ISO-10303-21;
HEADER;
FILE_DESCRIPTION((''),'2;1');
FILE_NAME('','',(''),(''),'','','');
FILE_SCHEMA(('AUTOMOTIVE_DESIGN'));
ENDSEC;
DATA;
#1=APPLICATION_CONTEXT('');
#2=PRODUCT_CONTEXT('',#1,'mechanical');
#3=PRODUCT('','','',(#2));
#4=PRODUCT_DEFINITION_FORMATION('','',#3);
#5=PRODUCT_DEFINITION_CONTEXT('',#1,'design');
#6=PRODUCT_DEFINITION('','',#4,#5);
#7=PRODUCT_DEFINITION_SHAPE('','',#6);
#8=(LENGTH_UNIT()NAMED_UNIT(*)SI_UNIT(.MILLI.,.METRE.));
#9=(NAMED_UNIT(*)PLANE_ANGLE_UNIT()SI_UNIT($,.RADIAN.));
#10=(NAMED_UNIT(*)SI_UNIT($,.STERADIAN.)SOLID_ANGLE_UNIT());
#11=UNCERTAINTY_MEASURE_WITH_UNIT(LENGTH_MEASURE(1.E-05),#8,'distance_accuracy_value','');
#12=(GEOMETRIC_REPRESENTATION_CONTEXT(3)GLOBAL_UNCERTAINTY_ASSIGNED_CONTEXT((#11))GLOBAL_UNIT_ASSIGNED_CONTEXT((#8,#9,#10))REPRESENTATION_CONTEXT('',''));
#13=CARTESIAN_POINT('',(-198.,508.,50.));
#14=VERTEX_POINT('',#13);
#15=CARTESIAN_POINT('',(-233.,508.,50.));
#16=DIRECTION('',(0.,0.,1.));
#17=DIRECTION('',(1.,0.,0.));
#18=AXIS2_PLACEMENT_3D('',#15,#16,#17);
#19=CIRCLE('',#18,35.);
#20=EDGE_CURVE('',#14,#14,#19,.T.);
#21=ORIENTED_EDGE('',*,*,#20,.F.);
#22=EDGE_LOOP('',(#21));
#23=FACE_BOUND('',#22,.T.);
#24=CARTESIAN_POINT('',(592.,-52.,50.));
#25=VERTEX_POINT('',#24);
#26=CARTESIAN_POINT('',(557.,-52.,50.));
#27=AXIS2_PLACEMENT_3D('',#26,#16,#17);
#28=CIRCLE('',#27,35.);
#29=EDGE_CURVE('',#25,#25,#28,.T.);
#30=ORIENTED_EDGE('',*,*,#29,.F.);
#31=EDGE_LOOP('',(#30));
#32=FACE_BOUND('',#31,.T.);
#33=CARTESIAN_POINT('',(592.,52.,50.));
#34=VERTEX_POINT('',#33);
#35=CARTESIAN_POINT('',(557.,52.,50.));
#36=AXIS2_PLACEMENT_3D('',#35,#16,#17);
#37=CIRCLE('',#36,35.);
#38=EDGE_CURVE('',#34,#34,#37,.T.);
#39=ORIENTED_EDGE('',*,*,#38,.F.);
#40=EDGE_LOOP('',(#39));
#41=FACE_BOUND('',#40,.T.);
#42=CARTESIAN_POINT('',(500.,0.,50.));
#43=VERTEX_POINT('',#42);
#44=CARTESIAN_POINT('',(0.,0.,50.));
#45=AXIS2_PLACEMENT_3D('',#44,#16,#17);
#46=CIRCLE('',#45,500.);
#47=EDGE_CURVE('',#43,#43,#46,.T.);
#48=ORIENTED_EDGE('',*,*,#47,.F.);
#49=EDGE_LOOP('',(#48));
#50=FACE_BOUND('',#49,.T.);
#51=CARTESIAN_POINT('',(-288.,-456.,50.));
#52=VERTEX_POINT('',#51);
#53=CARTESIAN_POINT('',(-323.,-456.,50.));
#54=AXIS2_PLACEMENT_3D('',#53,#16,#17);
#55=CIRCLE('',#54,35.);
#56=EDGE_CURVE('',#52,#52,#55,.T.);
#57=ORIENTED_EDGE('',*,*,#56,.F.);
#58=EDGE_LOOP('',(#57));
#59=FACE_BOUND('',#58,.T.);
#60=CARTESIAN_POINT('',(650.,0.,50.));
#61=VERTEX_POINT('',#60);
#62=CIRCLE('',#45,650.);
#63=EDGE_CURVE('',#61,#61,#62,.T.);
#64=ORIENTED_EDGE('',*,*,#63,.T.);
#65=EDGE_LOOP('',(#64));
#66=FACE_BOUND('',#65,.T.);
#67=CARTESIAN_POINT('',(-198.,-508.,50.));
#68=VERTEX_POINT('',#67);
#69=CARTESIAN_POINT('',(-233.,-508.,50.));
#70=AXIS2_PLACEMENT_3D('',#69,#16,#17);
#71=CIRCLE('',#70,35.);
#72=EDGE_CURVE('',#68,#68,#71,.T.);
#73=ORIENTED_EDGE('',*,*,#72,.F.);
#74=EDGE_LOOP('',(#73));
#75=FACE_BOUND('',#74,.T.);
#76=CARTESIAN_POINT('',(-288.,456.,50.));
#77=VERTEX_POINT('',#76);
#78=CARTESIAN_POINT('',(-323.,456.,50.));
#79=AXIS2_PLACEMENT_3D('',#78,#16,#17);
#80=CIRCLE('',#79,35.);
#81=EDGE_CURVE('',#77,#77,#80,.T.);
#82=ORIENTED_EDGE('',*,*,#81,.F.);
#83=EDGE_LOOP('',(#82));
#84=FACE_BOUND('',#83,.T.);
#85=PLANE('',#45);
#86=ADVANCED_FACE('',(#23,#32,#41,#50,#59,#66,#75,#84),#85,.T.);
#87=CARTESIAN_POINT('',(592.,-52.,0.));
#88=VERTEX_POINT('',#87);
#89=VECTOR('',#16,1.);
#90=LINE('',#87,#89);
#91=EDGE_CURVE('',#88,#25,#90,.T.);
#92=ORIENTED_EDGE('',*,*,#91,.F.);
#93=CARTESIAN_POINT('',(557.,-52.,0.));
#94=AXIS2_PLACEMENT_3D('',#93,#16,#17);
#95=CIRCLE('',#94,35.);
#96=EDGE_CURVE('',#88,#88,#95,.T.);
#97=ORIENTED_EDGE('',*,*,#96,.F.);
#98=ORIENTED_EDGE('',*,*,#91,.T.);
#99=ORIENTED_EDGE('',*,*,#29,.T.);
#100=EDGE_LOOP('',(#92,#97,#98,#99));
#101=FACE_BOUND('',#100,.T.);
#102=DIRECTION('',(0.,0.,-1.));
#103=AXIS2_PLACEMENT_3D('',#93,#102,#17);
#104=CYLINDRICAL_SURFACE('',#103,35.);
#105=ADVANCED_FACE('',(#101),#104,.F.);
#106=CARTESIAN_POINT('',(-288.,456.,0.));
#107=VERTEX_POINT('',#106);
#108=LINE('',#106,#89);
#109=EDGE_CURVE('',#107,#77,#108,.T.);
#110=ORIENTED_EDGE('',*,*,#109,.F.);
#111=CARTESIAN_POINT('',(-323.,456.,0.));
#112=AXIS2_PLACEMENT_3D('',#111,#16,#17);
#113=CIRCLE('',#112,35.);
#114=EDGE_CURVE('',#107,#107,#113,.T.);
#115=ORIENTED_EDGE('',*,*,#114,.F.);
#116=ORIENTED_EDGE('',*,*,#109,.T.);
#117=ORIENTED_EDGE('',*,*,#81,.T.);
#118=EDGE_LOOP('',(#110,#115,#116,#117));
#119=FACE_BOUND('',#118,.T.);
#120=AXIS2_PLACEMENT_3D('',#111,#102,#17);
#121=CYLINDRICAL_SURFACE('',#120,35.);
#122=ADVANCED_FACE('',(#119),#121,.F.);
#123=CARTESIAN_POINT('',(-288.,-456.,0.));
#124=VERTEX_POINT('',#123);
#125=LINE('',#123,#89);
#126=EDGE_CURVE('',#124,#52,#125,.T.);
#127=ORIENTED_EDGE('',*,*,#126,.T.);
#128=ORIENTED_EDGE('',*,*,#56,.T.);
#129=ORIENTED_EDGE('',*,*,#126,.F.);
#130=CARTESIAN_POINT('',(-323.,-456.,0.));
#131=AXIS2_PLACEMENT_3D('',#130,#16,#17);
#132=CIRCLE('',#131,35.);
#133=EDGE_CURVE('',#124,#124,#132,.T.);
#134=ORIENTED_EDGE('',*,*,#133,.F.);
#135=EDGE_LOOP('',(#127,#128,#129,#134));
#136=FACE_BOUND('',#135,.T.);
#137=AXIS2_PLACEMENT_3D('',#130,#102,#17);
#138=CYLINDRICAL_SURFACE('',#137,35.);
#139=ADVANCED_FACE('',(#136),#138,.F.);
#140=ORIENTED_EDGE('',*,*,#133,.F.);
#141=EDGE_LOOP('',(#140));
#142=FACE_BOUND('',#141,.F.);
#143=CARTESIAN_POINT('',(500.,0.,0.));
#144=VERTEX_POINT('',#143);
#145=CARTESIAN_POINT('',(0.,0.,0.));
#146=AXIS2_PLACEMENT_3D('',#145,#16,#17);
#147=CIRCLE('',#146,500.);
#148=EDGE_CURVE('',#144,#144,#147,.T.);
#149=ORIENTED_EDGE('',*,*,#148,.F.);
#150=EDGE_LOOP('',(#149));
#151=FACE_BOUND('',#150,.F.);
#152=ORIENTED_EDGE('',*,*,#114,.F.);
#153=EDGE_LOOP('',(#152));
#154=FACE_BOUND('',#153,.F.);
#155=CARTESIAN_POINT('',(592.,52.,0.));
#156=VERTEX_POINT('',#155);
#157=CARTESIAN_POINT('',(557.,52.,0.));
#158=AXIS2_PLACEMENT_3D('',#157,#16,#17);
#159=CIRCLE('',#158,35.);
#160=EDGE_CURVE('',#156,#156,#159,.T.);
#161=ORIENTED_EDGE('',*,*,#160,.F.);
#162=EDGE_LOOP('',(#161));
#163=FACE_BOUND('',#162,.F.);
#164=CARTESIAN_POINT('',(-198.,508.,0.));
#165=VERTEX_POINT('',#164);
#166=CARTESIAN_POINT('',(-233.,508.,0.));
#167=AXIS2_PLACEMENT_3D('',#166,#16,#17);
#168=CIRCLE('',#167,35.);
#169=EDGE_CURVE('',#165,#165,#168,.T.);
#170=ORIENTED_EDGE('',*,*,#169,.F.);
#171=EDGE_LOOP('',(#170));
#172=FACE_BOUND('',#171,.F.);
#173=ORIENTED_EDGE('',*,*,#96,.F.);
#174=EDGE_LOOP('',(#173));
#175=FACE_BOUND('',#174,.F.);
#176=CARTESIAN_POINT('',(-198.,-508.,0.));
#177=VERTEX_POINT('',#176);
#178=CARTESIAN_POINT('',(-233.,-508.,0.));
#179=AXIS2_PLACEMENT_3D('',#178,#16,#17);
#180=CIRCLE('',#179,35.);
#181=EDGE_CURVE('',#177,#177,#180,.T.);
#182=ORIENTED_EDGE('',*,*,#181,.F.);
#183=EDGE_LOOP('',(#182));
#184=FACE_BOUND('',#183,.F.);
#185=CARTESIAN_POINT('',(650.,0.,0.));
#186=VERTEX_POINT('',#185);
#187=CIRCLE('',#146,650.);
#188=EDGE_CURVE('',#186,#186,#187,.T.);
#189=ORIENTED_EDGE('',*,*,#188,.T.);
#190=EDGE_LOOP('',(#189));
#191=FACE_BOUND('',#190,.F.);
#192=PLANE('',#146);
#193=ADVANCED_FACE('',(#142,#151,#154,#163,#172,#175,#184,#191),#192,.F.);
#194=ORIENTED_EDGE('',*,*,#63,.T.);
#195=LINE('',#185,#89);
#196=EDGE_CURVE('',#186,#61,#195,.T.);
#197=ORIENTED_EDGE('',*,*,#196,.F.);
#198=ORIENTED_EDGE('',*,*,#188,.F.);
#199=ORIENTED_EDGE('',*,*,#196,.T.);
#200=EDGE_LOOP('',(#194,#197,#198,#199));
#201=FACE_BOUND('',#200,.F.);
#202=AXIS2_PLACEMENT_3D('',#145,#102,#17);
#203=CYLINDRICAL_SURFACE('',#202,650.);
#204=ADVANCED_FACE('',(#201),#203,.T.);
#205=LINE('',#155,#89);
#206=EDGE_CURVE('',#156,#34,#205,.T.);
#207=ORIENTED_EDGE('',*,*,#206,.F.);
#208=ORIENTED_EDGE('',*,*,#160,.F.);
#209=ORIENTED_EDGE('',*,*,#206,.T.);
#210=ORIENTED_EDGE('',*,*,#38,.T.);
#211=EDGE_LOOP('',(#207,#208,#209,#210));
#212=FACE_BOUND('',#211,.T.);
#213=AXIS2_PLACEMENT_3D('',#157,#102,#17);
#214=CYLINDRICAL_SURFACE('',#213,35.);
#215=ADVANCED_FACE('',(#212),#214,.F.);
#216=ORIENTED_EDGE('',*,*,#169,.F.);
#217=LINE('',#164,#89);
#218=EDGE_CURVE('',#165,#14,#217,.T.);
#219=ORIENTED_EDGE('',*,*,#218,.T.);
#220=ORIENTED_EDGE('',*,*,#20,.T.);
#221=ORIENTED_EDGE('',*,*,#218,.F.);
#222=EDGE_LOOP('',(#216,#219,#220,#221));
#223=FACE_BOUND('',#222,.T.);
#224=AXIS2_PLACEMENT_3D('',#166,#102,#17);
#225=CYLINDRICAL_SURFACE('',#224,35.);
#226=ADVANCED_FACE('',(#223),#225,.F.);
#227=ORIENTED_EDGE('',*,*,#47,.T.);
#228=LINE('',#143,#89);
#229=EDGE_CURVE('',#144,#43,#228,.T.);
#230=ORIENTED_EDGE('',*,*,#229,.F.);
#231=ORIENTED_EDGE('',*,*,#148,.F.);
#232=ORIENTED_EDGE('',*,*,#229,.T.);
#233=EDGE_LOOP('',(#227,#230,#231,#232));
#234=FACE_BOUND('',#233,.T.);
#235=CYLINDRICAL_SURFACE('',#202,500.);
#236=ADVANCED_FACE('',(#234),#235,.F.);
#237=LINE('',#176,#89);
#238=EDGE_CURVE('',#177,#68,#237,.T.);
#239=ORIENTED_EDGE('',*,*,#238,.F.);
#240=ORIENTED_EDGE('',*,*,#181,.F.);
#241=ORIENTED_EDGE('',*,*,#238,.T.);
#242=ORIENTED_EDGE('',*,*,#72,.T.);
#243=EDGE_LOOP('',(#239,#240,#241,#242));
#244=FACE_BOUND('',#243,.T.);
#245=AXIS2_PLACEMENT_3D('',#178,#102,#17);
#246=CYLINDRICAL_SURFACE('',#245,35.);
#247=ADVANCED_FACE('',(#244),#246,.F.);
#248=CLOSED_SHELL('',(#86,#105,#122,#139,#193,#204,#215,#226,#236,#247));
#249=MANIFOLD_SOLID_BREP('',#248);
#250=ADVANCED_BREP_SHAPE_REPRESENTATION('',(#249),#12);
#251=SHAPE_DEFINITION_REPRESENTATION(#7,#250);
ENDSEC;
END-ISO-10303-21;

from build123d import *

# Parameters (mm, degrees)
F0_R     = 650
F0_R_2   = 35
F0_R_3   = 500
F1_DEPTH = 50


with BuildPart() as f1:
    # F0 (on Top) → F1 (new body)
    with BuildSketch(Plane.XY):
        Circle(F0_R)
        with Locations((-233, -508)):
            Circle(F0_R_2, mode=Mode.SUBTRACT)
        with Locations((-323, -456)):
            Circle(F0_R_2, mode=Mode.SUBTRACT)
        with Locations((557, -52)):
            Circle(F0_R_2, mode=Mode.SUBTRACT)
        with Locations((-323, 456)):
            Circle(F0_R_2, mode=Mode.SUBTRACT)
        with Locations((-233, 508)):
            Circle(F0_R_2, mode=Mode.SUBTRACT)
        Circle(F0_R_3, mode=Mode.SUBTRACT)
        with Locations((557, 52)):
            Circle(F0_R_2, mode=Mode.SUBTRACT)
    extrude(amount=F1_DEPTH)


solid = f1.part
